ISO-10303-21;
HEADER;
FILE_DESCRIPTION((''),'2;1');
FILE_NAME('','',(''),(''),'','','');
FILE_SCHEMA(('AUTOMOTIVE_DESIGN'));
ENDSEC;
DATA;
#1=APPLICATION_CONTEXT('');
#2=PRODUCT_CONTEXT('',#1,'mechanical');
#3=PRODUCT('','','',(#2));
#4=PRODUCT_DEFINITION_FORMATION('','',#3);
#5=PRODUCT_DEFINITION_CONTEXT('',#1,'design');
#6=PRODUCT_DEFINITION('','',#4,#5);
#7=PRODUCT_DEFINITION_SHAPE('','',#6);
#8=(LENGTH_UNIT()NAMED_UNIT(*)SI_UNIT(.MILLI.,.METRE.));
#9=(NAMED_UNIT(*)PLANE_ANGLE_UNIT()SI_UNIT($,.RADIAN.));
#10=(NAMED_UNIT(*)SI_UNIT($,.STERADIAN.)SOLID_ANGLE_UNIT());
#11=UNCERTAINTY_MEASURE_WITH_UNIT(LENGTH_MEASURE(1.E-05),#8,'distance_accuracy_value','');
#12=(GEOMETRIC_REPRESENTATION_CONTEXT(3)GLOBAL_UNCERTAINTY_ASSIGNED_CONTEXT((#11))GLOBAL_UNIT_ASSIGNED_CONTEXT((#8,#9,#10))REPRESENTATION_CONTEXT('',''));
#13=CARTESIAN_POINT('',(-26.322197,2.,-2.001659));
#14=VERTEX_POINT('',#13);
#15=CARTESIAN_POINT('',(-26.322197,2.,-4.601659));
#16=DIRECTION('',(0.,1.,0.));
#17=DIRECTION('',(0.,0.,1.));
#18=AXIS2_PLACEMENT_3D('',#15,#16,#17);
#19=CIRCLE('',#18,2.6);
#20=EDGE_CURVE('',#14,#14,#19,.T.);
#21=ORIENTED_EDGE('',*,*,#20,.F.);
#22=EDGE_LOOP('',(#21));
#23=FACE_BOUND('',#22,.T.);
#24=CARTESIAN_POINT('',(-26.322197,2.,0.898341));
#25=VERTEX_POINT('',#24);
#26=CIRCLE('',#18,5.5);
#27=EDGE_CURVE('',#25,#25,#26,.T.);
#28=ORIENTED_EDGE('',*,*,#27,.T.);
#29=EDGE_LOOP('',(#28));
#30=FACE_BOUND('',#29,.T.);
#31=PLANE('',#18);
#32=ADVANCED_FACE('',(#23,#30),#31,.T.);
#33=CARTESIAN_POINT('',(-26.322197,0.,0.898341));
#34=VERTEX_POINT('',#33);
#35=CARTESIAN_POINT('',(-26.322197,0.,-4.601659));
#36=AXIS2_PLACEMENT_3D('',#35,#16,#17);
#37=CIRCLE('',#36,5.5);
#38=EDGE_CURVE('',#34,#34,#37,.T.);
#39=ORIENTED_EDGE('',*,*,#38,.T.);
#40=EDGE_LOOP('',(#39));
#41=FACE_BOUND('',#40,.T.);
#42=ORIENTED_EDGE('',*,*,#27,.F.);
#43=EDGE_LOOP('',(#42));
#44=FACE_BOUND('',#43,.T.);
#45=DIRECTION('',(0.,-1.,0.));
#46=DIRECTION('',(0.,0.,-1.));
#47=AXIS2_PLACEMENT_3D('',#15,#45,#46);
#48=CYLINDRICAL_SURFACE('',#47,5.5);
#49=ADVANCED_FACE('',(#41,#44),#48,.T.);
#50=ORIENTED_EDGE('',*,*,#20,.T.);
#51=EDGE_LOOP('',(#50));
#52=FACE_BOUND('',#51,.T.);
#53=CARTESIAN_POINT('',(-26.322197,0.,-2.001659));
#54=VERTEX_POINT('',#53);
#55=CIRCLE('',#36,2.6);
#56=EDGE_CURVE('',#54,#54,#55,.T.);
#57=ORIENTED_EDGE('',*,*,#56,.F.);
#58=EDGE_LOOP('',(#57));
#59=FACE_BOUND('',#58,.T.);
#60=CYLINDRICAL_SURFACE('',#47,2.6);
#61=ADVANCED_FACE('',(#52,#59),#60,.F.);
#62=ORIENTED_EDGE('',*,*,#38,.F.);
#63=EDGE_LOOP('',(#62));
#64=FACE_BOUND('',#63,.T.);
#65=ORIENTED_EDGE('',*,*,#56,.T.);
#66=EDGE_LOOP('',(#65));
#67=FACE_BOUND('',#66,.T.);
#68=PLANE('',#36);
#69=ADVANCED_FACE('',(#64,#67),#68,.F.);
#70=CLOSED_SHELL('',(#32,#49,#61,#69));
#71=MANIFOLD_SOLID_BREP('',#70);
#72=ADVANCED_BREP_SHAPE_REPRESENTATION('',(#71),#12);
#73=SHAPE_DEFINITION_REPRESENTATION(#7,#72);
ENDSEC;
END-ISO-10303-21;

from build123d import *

# Parameters (mm, degrees)
ESQUISSE1_R        = 5.5
ESQUISSE1_R_2      = 2.6
BOSS_EXTRU_1_DEPTH = 2


with BuildPart() as part:
    # Esquisse1 → Boss.-Extru.1 (new body)
    with BuildSketch(Plane(origin=(0, 0, 0), x_dir=(1, 0, 0), z_dir=(0, 1, 0))):
        with Locations(Location((-26.322196577, 4.60165871, 0), (0, 0, 270))):
            Circle(ESQUISSE1_R)
        with Locations(Location((-26.322196577, 4.60165871, 0), (0, 0, 270))):
            Circle(ESQUISSE1_R_2, mode=Mode.SUBTRACT)
    extrude(amount=BOSS_EXTRU_1_DEPTH)


solid = part.part
